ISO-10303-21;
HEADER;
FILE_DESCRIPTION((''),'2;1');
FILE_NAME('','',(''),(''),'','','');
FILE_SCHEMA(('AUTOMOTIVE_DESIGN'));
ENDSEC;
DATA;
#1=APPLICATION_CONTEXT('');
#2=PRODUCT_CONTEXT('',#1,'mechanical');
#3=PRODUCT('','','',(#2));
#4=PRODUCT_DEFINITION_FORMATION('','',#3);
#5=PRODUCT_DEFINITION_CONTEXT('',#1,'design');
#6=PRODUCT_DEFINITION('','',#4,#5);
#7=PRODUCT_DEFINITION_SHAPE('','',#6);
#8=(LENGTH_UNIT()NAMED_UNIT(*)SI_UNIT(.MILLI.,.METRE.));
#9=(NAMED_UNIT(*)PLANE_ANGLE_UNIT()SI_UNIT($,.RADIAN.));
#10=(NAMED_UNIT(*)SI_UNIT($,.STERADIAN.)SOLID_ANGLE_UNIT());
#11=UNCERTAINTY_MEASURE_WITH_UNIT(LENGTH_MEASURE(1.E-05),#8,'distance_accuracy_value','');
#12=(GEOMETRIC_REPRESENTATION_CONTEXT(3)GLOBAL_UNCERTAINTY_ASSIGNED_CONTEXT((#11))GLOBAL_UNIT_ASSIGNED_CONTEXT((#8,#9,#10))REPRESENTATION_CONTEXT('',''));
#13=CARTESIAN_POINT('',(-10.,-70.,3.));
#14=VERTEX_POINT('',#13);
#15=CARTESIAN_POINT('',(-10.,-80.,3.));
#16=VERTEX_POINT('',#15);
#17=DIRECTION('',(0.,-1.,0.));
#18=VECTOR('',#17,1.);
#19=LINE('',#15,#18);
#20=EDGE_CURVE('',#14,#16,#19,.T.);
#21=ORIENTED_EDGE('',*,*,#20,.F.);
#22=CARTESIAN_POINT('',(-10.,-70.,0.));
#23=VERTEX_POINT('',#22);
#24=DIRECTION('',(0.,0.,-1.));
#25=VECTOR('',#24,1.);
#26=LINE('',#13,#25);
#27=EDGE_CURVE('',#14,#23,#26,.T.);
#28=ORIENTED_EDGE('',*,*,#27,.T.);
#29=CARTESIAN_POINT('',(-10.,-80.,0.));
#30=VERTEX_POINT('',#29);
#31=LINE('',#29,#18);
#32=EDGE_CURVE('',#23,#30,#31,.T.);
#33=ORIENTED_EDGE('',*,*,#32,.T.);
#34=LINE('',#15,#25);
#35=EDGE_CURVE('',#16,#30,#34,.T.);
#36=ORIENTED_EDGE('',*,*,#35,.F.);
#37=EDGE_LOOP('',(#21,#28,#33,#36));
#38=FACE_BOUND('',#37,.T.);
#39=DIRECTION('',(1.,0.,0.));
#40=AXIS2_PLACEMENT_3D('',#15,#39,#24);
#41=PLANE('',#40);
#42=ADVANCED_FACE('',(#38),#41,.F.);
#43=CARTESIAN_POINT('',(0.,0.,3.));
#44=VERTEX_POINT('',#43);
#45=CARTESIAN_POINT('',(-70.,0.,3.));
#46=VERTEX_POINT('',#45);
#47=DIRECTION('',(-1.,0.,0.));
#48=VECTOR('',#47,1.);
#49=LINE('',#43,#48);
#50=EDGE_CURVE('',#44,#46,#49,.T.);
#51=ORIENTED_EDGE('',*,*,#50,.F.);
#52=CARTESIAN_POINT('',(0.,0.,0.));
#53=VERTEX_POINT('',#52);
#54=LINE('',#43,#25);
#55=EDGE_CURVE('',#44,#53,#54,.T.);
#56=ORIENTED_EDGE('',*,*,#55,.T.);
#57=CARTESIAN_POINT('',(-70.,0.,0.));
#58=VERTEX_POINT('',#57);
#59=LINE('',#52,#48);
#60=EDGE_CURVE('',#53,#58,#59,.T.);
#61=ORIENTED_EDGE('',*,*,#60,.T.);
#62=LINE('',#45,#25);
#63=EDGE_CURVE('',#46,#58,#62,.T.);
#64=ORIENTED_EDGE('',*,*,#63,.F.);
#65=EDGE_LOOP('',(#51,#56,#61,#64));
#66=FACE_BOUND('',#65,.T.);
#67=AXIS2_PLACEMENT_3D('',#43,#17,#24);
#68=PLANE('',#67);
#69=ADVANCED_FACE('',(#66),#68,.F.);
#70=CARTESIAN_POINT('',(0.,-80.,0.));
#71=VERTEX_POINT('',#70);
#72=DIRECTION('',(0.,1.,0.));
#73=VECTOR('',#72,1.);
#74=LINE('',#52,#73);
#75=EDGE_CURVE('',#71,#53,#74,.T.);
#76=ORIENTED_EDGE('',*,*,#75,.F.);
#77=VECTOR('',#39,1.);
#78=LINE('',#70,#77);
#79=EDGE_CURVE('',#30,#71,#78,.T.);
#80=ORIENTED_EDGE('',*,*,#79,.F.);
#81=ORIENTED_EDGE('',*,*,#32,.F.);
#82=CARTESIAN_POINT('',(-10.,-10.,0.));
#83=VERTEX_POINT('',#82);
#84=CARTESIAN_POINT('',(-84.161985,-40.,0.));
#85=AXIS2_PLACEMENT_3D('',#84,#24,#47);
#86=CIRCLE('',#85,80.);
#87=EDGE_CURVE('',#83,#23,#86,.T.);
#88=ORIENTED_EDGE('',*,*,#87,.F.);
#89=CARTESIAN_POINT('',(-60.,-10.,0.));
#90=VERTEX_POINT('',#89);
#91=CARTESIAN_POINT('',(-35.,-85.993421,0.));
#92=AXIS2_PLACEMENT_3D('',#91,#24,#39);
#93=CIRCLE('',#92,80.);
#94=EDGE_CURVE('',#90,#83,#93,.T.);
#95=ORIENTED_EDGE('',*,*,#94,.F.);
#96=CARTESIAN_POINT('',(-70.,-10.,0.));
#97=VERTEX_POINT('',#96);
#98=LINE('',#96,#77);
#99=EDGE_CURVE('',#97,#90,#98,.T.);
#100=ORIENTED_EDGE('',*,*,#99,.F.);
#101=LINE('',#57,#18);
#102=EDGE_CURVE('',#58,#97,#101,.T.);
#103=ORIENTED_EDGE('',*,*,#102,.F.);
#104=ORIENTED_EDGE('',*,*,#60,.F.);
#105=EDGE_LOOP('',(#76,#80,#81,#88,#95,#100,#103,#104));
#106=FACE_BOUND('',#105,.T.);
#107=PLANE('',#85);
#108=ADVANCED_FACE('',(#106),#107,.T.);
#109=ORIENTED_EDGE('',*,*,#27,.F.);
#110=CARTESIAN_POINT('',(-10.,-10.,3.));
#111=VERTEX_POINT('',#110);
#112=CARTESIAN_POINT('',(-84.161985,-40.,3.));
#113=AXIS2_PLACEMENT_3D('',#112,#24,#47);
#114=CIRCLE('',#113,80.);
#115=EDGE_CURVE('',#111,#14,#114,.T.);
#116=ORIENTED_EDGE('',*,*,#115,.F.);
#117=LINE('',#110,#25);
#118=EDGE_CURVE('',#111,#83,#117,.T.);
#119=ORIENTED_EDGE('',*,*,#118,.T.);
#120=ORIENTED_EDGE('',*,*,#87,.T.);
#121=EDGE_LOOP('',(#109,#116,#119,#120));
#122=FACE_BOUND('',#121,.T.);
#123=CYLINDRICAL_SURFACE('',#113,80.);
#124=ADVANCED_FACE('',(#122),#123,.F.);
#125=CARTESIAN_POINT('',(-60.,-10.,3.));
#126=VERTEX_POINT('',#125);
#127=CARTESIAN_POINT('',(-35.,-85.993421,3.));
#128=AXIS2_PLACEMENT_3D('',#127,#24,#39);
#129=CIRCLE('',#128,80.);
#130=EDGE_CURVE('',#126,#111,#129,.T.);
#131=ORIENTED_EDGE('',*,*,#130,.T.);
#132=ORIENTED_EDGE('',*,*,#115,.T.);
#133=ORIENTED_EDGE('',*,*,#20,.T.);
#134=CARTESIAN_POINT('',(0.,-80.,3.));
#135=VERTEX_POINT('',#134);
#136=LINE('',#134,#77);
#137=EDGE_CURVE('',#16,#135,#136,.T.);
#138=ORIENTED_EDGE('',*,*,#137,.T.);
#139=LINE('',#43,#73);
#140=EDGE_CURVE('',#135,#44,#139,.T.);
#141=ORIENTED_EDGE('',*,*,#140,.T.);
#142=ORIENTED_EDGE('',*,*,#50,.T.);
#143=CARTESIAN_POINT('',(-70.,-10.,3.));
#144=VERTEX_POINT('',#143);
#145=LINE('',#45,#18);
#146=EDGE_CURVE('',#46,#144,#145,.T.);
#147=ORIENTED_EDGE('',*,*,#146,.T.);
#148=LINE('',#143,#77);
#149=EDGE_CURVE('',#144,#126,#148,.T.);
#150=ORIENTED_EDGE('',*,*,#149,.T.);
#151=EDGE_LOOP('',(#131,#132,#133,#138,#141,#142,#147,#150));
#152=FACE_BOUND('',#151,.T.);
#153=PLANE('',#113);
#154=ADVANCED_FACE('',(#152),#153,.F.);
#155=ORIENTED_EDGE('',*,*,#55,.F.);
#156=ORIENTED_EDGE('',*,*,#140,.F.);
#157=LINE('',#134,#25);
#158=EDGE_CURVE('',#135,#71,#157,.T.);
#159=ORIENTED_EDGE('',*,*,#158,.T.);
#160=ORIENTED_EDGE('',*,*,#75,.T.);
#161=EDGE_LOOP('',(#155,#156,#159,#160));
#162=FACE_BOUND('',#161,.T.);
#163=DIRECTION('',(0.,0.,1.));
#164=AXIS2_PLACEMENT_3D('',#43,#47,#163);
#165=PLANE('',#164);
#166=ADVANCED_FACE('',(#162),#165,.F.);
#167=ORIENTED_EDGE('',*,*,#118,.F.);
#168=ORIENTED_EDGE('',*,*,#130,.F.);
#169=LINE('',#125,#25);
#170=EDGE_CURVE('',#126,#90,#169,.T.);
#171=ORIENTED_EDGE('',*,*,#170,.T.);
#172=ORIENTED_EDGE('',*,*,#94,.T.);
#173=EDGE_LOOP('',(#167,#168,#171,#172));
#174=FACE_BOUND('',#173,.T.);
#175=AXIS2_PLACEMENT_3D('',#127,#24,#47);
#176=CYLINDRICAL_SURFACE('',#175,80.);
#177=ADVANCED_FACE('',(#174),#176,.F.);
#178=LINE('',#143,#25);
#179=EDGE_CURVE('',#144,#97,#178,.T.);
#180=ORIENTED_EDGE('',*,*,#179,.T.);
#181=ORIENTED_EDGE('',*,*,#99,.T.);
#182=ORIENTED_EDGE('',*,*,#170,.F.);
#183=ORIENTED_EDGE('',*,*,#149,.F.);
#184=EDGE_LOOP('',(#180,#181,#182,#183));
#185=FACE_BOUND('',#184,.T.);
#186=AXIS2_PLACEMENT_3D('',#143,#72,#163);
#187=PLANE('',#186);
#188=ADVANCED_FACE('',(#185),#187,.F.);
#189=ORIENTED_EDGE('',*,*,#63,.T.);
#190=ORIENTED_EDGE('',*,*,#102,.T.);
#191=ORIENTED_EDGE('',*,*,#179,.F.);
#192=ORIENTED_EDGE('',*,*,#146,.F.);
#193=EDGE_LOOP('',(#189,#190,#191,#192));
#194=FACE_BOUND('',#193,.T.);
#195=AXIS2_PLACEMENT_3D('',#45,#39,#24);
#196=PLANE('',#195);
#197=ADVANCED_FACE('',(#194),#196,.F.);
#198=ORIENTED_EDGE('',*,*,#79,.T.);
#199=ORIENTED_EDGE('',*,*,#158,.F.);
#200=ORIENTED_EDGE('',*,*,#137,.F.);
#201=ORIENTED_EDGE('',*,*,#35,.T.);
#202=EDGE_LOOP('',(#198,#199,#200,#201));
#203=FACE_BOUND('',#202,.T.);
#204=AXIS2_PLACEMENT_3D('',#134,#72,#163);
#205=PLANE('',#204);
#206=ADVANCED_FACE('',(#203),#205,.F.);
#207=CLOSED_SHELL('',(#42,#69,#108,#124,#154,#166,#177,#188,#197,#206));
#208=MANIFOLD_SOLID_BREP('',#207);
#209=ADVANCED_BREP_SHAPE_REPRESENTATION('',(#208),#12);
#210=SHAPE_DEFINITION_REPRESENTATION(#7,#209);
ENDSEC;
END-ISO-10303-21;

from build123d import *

# Parameters (mm, degrees)
BOSS_EXTRUDE1_DEPTH = 3


with BuildPart() as part:
    # Sketch1 → Boss-Extrude1 (new body)
    with BuildSketch(Plane.XY):
        with BuildLine():
            Line((0, 0), (-70, 0))
            Line((-70, 0), (-70, -10))
            Line((-70, -10), (-60, -10))
            ThreePointArc((-60, -10), (-35, -5.993420768), (-10, -10))
            ThreePointArc((-10, -10), (-4.161984871, -40), (-10, -70))
            Line((-10, -70), (-10, -80))
            Line((-10, -80), (0, -80))
            Line((0, -80), (0, 0))
        make_face()
    extrude(amount=BOSS_EXTRUDE1_DEPTH)


solid = part.part
